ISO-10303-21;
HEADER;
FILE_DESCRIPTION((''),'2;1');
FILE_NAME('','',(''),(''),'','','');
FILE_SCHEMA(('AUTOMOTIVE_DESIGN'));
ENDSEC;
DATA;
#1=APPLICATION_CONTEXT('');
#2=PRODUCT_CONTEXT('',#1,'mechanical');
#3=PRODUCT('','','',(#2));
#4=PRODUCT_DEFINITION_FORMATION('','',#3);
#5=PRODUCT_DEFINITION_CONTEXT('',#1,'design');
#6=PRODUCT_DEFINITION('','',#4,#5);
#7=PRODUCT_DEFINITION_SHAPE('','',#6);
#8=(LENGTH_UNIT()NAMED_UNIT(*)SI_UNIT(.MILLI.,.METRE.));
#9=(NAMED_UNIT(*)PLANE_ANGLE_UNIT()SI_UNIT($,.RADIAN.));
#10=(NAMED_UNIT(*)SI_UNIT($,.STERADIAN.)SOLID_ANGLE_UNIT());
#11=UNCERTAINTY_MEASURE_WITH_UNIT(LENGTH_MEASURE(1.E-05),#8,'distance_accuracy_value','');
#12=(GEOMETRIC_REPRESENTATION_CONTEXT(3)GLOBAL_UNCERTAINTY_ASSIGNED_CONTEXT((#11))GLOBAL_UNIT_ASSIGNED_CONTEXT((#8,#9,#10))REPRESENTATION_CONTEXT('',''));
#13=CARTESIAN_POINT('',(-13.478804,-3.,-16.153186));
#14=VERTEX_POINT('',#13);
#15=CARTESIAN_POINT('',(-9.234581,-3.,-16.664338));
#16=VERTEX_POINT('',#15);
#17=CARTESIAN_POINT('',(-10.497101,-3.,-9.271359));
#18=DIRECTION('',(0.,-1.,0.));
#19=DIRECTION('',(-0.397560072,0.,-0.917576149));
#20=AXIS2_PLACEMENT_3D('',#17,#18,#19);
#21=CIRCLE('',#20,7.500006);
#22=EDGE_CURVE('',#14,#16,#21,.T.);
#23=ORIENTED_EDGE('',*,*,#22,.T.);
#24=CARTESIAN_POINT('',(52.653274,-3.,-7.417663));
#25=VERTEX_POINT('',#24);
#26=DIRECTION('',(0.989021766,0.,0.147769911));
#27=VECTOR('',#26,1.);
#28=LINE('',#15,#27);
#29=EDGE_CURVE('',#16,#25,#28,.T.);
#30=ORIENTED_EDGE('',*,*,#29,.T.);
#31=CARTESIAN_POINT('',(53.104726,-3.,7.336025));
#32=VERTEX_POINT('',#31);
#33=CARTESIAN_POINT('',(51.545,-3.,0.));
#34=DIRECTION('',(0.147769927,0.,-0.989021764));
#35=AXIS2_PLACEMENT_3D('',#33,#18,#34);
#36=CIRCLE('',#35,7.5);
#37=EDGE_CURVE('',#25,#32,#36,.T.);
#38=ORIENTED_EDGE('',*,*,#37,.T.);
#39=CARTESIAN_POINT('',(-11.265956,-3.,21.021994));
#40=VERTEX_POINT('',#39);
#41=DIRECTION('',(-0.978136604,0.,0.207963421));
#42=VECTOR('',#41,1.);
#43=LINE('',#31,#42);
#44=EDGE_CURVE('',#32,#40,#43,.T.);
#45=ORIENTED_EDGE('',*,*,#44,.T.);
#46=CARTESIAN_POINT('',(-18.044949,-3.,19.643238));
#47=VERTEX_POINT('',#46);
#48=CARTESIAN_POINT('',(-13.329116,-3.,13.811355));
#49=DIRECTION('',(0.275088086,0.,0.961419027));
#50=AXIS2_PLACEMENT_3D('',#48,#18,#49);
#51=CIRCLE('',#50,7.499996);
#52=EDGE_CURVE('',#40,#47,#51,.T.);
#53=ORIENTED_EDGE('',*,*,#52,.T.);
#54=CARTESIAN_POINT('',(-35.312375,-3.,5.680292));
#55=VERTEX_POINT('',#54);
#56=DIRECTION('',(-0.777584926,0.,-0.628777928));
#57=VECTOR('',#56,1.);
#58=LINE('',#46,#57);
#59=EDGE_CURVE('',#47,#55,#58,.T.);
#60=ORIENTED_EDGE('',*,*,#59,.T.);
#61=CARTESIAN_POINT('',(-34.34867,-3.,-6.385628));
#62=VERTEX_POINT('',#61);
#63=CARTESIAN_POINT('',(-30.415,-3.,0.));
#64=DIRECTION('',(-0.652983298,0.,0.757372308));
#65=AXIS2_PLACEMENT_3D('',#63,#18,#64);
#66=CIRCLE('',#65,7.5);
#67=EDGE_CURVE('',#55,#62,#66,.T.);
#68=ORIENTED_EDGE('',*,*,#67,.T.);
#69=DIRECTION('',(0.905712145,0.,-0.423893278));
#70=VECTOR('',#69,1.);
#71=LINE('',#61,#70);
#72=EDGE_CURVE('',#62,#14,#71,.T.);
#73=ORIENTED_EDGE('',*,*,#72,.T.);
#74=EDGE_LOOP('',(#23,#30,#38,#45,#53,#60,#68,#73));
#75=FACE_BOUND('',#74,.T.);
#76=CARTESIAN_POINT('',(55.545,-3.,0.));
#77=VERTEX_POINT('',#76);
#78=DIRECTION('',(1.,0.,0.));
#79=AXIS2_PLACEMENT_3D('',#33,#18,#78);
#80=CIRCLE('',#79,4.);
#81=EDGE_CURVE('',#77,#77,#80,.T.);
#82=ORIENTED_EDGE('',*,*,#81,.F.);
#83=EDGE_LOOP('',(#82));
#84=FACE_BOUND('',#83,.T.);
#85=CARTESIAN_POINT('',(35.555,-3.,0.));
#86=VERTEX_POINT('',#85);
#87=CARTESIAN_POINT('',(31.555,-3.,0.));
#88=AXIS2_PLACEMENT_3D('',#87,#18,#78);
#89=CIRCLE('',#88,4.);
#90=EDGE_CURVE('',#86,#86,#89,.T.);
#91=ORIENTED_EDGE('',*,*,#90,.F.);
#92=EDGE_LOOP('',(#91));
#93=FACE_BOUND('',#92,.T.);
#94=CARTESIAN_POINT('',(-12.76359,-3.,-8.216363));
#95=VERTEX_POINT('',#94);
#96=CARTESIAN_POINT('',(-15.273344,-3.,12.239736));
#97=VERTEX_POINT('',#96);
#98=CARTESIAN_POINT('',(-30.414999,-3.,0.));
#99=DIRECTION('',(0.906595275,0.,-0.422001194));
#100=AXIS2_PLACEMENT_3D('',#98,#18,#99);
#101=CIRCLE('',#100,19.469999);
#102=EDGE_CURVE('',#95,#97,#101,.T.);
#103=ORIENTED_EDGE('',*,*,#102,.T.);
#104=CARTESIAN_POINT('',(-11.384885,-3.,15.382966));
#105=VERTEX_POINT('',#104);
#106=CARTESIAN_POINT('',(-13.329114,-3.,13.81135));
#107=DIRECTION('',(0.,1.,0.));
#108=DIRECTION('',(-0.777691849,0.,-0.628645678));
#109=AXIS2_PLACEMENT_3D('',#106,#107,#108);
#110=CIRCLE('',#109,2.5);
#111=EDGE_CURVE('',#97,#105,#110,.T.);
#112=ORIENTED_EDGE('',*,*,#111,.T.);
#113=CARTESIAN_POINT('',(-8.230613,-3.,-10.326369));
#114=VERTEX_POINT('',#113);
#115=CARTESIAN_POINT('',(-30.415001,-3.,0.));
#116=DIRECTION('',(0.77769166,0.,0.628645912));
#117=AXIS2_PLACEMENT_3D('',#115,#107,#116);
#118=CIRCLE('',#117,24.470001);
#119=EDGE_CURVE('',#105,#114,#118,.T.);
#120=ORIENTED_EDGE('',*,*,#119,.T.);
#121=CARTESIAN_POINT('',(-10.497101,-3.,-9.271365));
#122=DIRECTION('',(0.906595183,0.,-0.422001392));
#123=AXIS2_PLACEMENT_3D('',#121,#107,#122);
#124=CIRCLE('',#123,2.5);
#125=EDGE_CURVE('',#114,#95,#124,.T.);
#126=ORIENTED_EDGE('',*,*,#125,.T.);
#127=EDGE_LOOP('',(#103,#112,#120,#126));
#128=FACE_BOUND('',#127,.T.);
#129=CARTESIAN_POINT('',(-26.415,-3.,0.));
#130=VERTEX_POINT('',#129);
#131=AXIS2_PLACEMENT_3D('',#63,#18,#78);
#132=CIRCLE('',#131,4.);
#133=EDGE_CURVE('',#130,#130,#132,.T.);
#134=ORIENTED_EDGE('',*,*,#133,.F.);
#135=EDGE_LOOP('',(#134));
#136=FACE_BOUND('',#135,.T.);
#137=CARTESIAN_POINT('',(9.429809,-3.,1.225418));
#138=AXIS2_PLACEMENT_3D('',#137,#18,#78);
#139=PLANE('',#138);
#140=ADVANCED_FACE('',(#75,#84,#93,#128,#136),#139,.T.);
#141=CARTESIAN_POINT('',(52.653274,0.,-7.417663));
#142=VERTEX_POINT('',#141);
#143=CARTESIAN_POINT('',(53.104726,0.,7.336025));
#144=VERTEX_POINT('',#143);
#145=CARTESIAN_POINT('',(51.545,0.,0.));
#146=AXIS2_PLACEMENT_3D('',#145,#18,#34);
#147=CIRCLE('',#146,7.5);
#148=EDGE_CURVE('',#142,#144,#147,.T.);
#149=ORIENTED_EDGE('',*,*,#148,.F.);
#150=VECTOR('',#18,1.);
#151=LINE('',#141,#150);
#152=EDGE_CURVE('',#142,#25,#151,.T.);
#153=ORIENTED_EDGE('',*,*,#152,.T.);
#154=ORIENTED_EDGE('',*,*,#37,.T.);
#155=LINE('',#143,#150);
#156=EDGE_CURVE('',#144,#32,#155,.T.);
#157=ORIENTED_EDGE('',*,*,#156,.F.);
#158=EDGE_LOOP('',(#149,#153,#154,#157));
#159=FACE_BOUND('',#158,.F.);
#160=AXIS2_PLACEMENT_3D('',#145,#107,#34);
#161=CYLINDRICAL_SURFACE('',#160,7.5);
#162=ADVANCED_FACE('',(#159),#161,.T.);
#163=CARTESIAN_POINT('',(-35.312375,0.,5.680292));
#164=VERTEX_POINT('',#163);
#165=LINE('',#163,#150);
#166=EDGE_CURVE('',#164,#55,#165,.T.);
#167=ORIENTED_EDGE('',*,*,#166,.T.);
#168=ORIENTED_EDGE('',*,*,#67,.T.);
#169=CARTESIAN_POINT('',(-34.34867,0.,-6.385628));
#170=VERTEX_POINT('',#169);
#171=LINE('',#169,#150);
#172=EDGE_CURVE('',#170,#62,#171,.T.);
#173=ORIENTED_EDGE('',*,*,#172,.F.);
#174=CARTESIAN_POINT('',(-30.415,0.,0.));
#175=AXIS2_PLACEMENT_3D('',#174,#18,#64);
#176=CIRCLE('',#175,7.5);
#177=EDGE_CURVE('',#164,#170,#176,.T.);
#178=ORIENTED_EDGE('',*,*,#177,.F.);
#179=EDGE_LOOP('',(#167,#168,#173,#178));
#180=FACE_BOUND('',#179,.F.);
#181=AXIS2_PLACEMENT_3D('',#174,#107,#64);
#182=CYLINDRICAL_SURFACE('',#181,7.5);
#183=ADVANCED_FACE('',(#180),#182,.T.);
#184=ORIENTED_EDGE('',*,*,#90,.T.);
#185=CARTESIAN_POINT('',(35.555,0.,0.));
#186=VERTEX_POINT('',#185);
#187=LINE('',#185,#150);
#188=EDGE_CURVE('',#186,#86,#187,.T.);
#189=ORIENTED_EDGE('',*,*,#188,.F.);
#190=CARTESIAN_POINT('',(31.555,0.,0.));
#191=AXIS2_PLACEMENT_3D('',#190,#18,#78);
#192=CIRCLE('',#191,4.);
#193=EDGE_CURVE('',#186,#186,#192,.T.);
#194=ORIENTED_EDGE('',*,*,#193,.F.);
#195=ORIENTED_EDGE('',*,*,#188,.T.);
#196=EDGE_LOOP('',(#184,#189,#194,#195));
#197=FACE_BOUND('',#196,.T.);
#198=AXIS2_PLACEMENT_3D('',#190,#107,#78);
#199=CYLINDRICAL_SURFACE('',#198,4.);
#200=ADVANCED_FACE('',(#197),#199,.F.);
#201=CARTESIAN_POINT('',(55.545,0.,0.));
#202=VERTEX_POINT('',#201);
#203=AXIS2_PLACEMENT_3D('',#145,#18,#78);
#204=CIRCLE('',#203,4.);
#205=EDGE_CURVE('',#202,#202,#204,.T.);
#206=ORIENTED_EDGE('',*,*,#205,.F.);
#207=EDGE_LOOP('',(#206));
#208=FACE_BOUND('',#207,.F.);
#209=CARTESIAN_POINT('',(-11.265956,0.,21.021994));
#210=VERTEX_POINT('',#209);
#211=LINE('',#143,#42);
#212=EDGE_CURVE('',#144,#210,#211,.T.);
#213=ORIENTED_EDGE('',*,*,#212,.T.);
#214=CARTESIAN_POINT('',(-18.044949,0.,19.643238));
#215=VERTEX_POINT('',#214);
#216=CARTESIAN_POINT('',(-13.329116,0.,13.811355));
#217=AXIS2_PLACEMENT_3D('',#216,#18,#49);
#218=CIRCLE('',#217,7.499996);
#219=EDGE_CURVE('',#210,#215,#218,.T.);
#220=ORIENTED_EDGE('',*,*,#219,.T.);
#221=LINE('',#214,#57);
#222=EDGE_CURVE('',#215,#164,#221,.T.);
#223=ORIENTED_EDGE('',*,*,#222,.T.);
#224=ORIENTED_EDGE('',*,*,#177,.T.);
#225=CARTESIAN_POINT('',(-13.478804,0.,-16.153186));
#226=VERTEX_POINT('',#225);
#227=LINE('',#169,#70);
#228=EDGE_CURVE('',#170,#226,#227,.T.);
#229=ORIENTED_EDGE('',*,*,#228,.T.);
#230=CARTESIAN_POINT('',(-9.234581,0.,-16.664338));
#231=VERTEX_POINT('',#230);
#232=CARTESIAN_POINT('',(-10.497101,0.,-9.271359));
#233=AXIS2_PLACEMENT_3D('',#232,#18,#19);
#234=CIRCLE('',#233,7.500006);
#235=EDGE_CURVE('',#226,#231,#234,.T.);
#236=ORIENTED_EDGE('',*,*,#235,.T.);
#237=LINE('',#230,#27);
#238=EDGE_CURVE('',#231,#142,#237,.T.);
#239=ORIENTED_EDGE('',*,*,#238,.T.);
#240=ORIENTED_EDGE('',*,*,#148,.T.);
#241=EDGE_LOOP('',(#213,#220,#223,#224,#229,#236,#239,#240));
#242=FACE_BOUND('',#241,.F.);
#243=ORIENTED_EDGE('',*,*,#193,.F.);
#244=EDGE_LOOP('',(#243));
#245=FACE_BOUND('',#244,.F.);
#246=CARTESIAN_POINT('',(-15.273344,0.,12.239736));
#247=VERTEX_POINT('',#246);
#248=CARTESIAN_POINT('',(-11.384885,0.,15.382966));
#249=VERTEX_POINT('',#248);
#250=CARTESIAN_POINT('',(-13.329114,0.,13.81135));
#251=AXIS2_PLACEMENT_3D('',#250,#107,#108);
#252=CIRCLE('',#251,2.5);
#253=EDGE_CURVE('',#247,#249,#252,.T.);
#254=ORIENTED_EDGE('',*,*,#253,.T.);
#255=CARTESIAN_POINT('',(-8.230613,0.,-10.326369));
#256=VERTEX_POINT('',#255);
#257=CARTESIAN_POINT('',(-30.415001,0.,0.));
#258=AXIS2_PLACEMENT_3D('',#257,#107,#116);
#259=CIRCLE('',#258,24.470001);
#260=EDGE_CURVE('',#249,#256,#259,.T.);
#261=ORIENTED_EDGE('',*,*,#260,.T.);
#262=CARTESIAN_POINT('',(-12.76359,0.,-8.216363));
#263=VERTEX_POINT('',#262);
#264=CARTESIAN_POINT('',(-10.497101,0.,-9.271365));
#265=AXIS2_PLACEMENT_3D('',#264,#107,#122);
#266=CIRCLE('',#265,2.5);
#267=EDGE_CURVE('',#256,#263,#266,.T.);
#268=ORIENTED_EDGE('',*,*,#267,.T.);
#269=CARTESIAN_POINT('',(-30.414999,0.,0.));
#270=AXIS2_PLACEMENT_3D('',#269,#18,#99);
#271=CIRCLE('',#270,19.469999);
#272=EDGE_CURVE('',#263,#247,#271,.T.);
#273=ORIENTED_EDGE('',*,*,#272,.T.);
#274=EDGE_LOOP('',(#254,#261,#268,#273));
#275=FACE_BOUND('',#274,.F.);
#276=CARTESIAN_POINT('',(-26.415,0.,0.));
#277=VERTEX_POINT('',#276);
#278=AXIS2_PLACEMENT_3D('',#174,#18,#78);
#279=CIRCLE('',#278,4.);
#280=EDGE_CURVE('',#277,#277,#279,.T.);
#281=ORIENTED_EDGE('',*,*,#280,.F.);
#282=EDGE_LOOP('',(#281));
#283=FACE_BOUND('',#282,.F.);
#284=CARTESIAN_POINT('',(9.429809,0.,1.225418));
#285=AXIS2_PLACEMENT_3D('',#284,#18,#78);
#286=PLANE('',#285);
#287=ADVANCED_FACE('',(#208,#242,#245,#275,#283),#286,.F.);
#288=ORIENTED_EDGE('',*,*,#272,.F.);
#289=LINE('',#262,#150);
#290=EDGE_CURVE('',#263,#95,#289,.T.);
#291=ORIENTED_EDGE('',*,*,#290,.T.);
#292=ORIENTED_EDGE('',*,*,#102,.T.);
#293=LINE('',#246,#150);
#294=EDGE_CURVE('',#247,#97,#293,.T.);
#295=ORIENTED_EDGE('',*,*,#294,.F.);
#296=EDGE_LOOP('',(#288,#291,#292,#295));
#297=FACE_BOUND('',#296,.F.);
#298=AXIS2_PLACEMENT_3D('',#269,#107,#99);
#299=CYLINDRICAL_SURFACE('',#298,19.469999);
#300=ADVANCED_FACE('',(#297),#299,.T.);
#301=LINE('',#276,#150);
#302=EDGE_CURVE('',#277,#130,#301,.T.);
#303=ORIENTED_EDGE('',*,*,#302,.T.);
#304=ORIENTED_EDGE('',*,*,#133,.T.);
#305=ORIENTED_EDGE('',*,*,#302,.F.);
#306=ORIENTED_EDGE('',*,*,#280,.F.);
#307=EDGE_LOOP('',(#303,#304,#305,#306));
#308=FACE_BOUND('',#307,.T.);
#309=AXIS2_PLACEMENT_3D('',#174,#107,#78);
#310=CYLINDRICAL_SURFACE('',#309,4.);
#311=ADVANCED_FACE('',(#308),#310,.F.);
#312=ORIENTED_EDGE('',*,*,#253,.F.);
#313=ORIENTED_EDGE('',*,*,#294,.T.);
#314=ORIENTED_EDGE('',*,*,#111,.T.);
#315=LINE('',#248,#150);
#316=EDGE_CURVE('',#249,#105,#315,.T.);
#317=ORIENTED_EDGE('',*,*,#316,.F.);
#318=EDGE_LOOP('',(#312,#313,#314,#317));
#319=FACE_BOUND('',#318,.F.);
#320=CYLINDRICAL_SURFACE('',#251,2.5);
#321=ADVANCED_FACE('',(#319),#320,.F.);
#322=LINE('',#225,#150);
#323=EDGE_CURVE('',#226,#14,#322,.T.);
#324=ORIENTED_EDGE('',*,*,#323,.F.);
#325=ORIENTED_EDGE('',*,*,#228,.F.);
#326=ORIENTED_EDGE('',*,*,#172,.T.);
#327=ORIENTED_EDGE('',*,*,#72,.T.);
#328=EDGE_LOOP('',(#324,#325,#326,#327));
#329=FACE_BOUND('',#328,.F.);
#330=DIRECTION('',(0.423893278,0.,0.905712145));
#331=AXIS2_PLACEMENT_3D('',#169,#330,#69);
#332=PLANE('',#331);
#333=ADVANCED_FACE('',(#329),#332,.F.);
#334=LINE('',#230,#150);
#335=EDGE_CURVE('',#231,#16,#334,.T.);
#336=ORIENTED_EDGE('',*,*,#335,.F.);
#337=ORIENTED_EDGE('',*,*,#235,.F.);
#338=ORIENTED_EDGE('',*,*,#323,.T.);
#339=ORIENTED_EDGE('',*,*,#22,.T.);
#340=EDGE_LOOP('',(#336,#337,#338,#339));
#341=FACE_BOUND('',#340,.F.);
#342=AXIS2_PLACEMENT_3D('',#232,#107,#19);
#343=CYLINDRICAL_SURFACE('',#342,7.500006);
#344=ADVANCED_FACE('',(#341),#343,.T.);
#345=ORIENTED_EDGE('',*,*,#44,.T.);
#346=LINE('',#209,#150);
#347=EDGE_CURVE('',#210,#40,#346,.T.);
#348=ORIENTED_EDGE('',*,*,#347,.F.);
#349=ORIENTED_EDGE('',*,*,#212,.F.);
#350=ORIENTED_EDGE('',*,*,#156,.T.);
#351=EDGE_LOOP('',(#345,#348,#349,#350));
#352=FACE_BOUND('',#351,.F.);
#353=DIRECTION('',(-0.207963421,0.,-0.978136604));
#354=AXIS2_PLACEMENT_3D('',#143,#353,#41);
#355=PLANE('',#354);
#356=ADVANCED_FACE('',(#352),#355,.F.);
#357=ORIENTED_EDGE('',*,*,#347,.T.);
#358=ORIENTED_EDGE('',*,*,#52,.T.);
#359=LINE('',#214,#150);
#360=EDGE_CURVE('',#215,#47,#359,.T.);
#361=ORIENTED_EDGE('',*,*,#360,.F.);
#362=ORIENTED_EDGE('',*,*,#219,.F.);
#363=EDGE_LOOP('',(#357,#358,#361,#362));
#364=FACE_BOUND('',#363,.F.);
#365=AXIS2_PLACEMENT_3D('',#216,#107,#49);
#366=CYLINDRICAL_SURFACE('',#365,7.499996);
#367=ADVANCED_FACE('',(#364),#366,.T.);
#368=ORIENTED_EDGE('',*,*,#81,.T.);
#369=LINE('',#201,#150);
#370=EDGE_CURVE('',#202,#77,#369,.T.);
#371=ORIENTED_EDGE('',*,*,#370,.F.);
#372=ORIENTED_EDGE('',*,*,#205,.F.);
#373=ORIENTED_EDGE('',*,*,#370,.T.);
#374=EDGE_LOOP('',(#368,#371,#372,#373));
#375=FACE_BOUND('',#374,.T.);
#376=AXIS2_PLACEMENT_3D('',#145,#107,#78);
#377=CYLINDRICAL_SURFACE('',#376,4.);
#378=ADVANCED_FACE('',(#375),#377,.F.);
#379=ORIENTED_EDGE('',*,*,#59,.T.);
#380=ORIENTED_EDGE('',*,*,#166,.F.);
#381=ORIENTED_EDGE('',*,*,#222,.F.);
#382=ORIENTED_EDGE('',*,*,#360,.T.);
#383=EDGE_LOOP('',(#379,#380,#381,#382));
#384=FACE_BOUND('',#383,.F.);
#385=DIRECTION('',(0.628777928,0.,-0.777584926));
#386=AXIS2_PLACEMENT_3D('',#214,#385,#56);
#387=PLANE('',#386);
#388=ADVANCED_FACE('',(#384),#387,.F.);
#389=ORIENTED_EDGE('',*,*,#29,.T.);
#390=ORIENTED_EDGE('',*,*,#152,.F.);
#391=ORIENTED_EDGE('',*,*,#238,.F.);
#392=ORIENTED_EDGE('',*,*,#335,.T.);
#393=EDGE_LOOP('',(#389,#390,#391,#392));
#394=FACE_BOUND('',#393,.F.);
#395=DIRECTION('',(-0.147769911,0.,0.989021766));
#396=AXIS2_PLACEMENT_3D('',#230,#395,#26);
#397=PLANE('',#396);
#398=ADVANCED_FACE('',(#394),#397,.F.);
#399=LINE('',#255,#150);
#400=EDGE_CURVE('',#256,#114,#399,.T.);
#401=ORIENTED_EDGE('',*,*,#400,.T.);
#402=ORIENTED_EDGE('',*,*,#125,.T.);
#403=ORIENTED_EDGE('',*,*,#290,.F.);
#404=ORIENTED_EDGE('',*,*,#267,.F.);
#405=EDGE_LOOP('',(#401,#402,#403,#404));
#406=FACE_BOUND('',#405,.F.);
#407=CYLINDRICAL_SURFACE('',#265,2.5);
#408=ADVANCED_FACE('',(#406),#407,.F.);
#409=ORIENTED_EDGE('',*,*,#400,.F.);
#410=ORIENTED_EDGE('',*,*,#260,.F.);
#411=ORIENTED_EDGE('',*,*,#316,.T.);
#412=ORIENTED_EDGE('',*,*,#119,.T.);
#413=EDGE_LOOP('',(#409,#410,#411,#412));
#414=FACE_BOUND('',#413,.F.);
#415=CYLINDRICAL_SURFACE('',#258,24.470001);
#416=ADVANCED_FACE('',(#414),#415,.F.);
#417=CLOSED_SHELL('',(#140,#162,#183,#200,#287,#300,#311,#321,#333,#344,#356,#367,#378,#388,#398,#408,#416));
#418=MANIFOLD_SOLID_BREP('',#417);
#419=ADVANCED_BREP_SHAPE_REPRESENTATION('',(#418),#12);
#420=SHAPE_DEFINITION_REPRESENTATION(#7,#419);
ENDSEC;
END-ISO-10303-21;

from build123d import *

# Parameters (mm, degrees)
F0_R     = 4
F1_DEPTH = 3


with BuildPart() as f1:
    # F0 (on Front) → F1 (new body)
    with BuildSketch(Plane.XZ):
        with BuildLine():
            Line((53.104726, 7.336025), (-11.265956, 21.021994))
            ThreePointArc((-11.265956, 21.021994), (-14.82391, 21.160881), (-18.044949, 19.643238))
            Line((-18.044949, 19.643238), (-35.312375, 5.680292))
            ThreePointArc((-35.312375, 5.680292), (-37.891192, -0.597124), (-34.34867, -6.385628))
            Line((-34.34867, -6.385628), (-13.478804, -16.153186))
            ThreePointArc((-13.478804, -16.153186), (-11.393882, -16.717558), (-9.234581, -16.664338))
            Line((-9.234581, -16.664338), (52.653274, -7.417663))
            ThreePointArc((52.653274, -7.417663), (59.041491, -0.229387), (53.104726, 7.336025))
        make_face()
        with Locations((-30.415, 0)):
            Circle(F0_R, mode=Mode.SUBTRACT)
        with BuildLine():
            ThreePointArc((-15.273344, 12.239736), (-14.900729, 15.75558), (-11.384885, 15.382966))
            ThreePointArc((-11.384885, 15.382966), (-6.127117, 2.979875), (-8.230613, -10.326369))
            ThreePointArc((-8.230613, -10.326369), (-11.552104, -11.537854), (-12.76359, -8.216363))
            ThreePointArc((-12.76359, -8.216363), (-11.089905, 2.370991), (-15.273344, 12.239736))
        make_face(mode=Mode.SUBTRACT)
        with Locations((31.555, 0)):
            Circle(F0_R, mode=Mode.SUBTRACT)
        with Locations((51.545, 0)):
            Circle(F0_R, mode=Mode.SUBTRACT)
    extrude(amount=F1_DEPTH)


solid = f1.part
